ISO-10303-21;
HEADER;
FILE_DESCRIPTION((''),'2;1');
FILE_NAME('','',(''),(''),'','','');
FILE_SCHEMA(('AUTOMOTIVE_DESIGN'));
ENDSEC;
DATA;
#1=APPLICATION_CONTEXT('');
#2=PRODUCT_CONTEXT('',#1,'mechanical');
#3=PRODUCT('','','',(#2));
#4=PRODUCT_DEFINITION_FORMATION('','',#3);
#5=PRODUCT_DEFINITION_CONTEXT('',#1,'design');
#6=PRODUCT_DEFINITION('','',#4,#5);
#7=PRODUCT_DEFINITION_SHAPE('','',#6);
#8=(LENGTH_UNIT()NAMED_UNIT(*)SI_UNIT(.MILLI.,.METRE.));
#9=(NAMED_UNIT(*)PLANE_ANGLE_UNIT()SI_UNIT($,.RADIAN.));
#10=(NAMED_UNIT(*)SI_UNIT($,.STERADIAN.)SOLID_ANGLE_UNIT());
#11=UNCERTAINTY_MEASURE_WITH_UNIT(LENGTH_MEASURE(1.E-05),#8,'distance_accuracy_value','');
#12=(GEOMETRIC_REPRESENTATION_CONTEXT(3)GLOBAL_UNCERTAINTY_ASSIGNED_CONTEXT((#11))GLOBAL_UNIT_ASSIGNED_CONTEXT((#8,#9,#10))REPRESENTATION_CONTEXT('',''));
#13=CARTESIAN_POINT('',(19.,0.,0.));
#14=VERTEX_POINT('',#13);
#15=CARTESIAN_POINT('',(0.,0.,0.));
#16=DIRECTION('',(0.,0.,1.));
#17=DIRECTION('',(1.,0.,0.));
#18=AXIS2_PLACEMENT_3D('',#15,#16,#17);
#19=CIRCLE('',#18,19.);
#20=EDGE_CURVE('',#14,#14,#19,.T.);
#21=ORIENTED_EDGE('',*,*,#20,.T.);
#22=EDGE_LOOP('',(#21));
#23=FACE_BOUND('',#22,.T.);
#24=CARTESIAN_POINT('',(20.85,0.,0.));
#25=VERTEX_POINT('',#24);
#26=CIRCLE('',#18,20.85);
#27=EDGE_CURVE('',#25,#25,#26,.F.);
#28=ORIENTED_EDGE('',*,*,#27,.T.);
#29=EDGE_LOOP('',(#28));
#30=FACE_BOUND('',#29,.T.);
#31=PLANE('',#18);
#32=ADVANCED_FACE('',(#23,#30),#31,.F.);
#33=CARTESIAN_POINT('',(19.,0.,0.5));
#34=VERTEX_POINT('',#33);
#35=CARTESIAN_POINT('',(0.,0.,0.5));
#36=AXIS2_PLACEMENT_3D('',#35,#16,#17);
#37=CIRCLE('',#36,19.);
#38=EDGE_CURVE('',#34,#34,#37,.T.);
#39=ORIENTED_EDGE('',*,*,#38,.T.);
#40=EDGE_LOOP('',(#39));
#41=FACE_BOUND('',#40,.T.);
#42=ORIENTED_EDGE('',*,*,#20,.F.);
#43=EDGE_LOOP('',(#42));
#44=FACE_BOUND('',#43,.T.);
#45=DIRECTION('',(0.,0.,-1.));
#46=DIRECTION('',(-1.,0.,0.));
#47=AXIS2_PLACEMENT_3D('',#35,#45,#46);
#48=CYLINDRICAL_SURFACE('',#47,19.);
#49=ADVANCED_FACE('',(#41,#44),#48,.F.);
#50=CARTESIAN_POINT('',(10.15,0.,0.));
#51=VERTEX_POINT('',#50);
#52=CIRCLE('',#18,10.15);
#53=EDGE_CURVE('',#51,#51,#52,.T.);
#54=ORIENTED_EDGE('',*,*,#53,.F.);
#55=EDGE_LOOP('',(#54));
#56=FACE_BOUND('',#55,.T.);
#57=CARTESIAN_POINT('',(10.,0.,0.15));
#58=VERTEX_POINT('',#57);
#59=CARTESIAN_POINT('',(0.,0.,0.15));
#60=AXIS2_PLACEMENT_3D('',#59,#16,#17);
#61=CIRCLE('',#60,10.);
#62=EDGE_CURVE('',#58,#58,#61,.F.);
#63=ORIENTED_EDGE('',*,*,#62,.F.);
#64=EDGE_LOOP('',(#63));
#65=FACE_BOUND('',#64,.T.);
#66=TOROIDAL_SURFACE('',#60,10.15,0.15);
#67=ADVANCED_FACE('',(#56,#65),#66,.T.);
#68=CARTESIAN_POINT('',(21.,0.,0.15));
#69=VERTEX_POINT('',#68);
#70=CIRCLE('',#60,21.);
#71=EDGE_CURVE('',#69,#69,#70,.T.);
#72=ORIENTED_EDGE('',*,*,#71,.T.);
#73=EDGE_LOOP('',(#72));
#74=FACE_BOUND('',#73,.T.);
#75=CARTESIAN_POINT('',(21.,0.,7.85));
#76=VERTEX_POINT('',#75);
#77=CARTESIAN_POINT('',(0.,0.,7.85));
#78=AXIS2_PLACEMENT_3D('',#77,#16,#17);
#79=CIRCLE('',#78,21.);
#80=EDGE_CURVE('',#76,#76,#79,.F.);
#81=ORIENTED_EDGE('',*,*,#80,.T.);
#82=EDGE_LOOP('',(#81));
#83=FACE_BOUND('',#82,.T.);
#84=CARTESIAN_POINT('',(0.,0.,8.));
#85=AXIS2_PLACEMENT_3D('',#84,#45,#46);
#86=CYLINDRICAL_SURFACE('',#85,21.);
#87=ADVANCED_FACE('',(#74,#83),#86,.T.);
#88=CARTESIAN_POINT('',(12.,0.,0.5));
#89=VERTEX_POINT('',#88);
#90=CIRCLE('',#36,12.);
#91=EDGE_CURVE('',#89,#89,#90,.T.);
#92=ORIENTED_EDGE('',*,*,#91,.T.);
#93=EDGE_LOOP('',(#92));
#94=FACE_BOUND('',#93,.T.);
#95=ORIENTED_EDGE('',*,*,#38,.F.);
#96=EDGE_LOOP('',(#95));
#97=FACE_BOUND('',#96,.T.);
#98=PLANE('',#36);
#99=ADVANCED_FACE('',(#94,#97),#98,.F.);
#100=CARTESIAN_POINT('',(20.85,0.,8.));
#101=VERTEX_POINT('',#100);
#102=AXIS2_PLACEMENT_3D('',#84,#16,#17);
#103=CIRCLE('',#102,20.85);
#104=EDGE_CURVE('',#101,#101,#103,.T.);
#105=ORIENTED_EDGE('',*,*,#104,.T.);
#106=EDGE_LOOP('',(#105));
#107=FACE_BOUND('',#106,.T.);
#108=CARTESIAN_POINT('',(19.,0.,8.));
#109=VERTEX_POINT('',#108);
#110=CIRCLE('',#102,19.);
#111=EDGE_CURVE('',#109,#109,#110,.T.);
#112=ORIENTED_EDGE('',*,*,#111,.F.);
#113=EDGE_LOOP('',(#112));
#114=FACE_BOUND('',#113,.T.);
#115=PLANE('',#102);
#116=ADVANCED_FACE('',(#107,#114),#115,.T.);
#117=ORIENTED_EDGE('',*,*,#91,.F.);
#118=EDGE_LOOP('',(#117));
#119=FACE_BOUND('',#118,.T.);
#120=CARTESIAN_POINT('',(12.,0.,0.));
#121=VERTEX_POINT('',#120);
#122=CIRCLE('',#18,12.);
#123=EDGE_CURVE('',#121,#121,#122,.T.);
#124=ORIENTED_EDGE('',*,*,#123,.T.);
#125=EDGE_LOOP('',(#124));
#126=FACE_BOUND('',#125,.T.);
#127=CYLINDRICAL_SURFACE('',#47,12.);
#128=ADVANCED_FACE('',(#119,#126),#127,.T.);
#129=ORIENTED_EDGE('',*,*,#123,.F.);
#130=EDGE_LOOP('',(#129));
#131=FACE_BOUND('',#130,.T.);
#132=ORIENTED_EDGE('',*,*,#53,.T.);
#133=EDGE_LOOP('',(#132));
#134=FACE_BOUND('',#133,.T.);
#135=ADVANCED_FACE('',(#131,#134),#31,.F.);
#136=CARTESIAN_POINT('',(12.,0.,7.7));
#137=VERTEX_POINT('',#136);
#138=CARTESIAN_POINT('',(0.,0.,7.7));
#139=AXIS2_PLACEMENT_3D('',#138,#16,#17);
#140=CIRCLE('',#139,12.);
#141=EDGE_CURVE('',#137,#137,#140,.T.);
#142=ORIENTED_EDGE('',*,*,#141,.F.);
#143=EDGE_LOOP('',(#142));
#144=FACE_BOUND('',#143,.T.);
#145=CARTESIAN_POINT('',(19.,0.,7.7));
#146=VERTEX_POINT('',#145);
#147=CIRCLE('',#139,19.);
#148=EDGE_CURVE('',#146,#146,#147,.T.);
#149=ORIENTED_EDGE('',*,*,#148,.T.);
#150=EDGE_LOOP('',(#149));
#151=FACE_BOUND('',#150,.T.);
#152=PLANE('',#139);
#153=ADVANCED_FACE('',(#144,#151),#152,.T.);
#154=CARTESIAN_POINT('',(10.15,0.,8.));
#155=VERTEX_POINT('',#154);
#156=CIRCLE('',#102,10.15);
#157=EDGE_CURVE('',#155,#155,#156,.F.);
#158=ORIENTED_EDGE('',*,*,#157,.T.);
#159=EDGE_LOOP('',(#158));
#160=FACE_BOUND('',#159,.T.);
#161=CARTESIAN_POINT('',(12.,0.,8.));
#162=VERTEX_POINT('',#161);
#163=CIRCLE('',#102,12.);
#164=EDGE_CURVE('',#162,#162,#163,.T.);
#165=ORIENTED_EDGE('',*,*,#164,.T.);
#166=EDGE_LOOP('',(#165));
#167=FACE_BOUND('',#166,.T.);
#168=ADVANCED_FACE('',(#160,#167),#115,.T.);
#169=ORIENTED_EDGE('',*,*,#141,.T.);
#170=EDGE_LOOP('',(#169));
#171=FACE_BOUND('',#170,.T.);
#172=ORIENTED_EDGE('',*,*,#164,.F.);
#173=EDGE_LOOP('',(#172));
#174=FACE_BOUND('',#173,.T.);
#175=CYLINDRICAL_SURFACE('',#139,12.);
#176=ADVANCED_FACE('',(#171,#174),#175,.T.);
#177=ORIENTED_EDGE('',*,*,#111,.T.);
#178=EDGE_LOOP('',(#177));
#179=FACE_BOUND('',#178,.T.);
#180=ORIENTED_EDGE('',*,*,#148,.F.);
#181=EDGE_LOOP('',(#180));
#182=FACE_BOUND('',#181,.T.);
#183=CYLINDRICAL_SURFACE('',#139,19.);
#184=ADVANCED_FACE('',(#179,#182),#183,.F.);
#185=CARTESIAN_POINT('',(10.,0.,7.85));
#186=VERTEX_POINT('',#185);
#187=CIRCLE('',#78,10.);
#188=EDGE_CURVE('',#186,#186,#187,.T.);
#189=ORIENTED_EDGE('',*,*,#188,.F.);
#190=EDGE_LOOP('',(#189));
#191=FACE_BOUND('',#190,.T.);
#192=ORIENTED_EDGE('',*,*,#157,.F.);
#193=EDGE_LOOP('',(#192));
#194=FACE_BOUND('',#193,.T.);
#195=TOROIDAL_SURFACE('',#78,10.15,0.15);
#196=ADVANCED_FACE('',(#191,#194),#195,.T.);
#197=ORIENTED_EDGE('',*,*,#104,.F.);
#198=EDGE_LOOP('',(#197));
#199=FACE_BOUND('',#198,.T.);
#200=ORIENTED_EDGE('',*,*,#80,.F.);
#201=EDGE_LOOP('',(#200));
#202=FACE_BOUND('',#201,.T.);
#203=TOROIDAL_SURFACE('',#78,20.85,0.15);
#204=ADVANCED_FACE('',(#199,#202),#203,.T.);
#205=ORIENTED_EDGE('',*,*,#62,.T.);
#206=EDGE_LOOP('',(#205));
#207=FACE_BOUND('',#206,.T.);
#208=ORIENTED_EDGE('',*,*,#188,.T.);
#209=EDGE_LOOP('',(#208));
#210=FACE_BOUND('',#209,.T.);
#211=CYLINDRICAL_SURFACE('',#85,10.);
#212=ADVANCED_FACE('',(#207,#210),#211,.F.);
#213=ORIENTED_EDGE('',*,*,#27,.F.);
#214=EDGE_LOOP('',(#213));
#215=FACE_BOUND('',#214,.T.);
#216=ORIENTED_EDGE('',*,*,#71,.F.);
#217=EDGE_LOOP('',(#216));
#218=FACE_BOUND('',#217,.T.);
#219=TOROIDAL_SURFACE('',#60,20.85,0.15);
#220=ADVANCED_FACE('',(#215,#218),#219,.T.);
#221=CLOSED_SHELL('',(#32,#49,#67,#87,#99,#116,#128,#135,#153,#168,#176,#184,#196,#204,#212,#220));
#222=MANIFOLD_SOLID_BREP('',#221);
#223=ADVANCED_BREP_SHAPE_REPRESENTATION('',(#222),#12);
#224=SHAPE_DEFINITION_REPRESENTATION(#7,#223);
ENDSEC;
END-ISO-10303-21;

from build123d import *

# Parameters (mm, degrees)
SKETCH1_R           = 21
SKETCH1_R_2         = 10
BOSS_EXTRUDE1_DEPTH = 8
SKETCH2_R           = 19
SKETCH2_R_2         = 12
CUT_EXTRUDE1_DEPTH  = 0.3
CUT_EXTRUDE2_START  = -7.5
SKETCH2_2_R         = 19
SKETCH2_2_R_2       = 12
CUT_EXTRUDE2_DEPTH  = 0.5
FILLET1_R           = 0.15


with BuildPart() as part:
    # Sketch1 → Boss-Extrude1 (new body)
    with BuildSketch(Plane.XY):
        Circle(SKETCH1_R)
        Circle(SKETCH1_R_2, mode=Mode.SUBTRACT)
    extrude(amount=BOSS_EXTRUDE1_DEPTH)

    # Sketch2 → Cut-Extrude1 (cut)
    with BuildSketch(Plane.XY.offset(8)):
        Circle(SKETCH2_R)
        Circle(SKETCH2_R_2, mode=Mode.SUBTRACT)
    extrude(amount=-CUT_EXTRUDE1_DEPTH, mode=Mode.SUBTRACT)

    # Sketch2<2> → Cut-Extrude2 (cut)
    with BuildSketch(Plane.XY.offset(8).offset(CUT_EXTRUDE2_START)):
        Circle(SKETCH2_2_R)
        Circle(SKETCH2_2_R_2, mode=Mode.SUBTRACT)
    extrude(amount=-CUT_EXTRUDE2_DEPTH, mode=Mode.SUBTRACT)

    # Fillet1
    fillet1_edges = [part.edges().sort_by_distance(p)[0] for p in [
        (-21, 0, 0),
        (-21, 0, 8),
        (-10, 0, 0),
        (-10, 0, 8),
    ]]
    fillet(fillet1_edges, radius=FILLET1_R)


solid = part.part
